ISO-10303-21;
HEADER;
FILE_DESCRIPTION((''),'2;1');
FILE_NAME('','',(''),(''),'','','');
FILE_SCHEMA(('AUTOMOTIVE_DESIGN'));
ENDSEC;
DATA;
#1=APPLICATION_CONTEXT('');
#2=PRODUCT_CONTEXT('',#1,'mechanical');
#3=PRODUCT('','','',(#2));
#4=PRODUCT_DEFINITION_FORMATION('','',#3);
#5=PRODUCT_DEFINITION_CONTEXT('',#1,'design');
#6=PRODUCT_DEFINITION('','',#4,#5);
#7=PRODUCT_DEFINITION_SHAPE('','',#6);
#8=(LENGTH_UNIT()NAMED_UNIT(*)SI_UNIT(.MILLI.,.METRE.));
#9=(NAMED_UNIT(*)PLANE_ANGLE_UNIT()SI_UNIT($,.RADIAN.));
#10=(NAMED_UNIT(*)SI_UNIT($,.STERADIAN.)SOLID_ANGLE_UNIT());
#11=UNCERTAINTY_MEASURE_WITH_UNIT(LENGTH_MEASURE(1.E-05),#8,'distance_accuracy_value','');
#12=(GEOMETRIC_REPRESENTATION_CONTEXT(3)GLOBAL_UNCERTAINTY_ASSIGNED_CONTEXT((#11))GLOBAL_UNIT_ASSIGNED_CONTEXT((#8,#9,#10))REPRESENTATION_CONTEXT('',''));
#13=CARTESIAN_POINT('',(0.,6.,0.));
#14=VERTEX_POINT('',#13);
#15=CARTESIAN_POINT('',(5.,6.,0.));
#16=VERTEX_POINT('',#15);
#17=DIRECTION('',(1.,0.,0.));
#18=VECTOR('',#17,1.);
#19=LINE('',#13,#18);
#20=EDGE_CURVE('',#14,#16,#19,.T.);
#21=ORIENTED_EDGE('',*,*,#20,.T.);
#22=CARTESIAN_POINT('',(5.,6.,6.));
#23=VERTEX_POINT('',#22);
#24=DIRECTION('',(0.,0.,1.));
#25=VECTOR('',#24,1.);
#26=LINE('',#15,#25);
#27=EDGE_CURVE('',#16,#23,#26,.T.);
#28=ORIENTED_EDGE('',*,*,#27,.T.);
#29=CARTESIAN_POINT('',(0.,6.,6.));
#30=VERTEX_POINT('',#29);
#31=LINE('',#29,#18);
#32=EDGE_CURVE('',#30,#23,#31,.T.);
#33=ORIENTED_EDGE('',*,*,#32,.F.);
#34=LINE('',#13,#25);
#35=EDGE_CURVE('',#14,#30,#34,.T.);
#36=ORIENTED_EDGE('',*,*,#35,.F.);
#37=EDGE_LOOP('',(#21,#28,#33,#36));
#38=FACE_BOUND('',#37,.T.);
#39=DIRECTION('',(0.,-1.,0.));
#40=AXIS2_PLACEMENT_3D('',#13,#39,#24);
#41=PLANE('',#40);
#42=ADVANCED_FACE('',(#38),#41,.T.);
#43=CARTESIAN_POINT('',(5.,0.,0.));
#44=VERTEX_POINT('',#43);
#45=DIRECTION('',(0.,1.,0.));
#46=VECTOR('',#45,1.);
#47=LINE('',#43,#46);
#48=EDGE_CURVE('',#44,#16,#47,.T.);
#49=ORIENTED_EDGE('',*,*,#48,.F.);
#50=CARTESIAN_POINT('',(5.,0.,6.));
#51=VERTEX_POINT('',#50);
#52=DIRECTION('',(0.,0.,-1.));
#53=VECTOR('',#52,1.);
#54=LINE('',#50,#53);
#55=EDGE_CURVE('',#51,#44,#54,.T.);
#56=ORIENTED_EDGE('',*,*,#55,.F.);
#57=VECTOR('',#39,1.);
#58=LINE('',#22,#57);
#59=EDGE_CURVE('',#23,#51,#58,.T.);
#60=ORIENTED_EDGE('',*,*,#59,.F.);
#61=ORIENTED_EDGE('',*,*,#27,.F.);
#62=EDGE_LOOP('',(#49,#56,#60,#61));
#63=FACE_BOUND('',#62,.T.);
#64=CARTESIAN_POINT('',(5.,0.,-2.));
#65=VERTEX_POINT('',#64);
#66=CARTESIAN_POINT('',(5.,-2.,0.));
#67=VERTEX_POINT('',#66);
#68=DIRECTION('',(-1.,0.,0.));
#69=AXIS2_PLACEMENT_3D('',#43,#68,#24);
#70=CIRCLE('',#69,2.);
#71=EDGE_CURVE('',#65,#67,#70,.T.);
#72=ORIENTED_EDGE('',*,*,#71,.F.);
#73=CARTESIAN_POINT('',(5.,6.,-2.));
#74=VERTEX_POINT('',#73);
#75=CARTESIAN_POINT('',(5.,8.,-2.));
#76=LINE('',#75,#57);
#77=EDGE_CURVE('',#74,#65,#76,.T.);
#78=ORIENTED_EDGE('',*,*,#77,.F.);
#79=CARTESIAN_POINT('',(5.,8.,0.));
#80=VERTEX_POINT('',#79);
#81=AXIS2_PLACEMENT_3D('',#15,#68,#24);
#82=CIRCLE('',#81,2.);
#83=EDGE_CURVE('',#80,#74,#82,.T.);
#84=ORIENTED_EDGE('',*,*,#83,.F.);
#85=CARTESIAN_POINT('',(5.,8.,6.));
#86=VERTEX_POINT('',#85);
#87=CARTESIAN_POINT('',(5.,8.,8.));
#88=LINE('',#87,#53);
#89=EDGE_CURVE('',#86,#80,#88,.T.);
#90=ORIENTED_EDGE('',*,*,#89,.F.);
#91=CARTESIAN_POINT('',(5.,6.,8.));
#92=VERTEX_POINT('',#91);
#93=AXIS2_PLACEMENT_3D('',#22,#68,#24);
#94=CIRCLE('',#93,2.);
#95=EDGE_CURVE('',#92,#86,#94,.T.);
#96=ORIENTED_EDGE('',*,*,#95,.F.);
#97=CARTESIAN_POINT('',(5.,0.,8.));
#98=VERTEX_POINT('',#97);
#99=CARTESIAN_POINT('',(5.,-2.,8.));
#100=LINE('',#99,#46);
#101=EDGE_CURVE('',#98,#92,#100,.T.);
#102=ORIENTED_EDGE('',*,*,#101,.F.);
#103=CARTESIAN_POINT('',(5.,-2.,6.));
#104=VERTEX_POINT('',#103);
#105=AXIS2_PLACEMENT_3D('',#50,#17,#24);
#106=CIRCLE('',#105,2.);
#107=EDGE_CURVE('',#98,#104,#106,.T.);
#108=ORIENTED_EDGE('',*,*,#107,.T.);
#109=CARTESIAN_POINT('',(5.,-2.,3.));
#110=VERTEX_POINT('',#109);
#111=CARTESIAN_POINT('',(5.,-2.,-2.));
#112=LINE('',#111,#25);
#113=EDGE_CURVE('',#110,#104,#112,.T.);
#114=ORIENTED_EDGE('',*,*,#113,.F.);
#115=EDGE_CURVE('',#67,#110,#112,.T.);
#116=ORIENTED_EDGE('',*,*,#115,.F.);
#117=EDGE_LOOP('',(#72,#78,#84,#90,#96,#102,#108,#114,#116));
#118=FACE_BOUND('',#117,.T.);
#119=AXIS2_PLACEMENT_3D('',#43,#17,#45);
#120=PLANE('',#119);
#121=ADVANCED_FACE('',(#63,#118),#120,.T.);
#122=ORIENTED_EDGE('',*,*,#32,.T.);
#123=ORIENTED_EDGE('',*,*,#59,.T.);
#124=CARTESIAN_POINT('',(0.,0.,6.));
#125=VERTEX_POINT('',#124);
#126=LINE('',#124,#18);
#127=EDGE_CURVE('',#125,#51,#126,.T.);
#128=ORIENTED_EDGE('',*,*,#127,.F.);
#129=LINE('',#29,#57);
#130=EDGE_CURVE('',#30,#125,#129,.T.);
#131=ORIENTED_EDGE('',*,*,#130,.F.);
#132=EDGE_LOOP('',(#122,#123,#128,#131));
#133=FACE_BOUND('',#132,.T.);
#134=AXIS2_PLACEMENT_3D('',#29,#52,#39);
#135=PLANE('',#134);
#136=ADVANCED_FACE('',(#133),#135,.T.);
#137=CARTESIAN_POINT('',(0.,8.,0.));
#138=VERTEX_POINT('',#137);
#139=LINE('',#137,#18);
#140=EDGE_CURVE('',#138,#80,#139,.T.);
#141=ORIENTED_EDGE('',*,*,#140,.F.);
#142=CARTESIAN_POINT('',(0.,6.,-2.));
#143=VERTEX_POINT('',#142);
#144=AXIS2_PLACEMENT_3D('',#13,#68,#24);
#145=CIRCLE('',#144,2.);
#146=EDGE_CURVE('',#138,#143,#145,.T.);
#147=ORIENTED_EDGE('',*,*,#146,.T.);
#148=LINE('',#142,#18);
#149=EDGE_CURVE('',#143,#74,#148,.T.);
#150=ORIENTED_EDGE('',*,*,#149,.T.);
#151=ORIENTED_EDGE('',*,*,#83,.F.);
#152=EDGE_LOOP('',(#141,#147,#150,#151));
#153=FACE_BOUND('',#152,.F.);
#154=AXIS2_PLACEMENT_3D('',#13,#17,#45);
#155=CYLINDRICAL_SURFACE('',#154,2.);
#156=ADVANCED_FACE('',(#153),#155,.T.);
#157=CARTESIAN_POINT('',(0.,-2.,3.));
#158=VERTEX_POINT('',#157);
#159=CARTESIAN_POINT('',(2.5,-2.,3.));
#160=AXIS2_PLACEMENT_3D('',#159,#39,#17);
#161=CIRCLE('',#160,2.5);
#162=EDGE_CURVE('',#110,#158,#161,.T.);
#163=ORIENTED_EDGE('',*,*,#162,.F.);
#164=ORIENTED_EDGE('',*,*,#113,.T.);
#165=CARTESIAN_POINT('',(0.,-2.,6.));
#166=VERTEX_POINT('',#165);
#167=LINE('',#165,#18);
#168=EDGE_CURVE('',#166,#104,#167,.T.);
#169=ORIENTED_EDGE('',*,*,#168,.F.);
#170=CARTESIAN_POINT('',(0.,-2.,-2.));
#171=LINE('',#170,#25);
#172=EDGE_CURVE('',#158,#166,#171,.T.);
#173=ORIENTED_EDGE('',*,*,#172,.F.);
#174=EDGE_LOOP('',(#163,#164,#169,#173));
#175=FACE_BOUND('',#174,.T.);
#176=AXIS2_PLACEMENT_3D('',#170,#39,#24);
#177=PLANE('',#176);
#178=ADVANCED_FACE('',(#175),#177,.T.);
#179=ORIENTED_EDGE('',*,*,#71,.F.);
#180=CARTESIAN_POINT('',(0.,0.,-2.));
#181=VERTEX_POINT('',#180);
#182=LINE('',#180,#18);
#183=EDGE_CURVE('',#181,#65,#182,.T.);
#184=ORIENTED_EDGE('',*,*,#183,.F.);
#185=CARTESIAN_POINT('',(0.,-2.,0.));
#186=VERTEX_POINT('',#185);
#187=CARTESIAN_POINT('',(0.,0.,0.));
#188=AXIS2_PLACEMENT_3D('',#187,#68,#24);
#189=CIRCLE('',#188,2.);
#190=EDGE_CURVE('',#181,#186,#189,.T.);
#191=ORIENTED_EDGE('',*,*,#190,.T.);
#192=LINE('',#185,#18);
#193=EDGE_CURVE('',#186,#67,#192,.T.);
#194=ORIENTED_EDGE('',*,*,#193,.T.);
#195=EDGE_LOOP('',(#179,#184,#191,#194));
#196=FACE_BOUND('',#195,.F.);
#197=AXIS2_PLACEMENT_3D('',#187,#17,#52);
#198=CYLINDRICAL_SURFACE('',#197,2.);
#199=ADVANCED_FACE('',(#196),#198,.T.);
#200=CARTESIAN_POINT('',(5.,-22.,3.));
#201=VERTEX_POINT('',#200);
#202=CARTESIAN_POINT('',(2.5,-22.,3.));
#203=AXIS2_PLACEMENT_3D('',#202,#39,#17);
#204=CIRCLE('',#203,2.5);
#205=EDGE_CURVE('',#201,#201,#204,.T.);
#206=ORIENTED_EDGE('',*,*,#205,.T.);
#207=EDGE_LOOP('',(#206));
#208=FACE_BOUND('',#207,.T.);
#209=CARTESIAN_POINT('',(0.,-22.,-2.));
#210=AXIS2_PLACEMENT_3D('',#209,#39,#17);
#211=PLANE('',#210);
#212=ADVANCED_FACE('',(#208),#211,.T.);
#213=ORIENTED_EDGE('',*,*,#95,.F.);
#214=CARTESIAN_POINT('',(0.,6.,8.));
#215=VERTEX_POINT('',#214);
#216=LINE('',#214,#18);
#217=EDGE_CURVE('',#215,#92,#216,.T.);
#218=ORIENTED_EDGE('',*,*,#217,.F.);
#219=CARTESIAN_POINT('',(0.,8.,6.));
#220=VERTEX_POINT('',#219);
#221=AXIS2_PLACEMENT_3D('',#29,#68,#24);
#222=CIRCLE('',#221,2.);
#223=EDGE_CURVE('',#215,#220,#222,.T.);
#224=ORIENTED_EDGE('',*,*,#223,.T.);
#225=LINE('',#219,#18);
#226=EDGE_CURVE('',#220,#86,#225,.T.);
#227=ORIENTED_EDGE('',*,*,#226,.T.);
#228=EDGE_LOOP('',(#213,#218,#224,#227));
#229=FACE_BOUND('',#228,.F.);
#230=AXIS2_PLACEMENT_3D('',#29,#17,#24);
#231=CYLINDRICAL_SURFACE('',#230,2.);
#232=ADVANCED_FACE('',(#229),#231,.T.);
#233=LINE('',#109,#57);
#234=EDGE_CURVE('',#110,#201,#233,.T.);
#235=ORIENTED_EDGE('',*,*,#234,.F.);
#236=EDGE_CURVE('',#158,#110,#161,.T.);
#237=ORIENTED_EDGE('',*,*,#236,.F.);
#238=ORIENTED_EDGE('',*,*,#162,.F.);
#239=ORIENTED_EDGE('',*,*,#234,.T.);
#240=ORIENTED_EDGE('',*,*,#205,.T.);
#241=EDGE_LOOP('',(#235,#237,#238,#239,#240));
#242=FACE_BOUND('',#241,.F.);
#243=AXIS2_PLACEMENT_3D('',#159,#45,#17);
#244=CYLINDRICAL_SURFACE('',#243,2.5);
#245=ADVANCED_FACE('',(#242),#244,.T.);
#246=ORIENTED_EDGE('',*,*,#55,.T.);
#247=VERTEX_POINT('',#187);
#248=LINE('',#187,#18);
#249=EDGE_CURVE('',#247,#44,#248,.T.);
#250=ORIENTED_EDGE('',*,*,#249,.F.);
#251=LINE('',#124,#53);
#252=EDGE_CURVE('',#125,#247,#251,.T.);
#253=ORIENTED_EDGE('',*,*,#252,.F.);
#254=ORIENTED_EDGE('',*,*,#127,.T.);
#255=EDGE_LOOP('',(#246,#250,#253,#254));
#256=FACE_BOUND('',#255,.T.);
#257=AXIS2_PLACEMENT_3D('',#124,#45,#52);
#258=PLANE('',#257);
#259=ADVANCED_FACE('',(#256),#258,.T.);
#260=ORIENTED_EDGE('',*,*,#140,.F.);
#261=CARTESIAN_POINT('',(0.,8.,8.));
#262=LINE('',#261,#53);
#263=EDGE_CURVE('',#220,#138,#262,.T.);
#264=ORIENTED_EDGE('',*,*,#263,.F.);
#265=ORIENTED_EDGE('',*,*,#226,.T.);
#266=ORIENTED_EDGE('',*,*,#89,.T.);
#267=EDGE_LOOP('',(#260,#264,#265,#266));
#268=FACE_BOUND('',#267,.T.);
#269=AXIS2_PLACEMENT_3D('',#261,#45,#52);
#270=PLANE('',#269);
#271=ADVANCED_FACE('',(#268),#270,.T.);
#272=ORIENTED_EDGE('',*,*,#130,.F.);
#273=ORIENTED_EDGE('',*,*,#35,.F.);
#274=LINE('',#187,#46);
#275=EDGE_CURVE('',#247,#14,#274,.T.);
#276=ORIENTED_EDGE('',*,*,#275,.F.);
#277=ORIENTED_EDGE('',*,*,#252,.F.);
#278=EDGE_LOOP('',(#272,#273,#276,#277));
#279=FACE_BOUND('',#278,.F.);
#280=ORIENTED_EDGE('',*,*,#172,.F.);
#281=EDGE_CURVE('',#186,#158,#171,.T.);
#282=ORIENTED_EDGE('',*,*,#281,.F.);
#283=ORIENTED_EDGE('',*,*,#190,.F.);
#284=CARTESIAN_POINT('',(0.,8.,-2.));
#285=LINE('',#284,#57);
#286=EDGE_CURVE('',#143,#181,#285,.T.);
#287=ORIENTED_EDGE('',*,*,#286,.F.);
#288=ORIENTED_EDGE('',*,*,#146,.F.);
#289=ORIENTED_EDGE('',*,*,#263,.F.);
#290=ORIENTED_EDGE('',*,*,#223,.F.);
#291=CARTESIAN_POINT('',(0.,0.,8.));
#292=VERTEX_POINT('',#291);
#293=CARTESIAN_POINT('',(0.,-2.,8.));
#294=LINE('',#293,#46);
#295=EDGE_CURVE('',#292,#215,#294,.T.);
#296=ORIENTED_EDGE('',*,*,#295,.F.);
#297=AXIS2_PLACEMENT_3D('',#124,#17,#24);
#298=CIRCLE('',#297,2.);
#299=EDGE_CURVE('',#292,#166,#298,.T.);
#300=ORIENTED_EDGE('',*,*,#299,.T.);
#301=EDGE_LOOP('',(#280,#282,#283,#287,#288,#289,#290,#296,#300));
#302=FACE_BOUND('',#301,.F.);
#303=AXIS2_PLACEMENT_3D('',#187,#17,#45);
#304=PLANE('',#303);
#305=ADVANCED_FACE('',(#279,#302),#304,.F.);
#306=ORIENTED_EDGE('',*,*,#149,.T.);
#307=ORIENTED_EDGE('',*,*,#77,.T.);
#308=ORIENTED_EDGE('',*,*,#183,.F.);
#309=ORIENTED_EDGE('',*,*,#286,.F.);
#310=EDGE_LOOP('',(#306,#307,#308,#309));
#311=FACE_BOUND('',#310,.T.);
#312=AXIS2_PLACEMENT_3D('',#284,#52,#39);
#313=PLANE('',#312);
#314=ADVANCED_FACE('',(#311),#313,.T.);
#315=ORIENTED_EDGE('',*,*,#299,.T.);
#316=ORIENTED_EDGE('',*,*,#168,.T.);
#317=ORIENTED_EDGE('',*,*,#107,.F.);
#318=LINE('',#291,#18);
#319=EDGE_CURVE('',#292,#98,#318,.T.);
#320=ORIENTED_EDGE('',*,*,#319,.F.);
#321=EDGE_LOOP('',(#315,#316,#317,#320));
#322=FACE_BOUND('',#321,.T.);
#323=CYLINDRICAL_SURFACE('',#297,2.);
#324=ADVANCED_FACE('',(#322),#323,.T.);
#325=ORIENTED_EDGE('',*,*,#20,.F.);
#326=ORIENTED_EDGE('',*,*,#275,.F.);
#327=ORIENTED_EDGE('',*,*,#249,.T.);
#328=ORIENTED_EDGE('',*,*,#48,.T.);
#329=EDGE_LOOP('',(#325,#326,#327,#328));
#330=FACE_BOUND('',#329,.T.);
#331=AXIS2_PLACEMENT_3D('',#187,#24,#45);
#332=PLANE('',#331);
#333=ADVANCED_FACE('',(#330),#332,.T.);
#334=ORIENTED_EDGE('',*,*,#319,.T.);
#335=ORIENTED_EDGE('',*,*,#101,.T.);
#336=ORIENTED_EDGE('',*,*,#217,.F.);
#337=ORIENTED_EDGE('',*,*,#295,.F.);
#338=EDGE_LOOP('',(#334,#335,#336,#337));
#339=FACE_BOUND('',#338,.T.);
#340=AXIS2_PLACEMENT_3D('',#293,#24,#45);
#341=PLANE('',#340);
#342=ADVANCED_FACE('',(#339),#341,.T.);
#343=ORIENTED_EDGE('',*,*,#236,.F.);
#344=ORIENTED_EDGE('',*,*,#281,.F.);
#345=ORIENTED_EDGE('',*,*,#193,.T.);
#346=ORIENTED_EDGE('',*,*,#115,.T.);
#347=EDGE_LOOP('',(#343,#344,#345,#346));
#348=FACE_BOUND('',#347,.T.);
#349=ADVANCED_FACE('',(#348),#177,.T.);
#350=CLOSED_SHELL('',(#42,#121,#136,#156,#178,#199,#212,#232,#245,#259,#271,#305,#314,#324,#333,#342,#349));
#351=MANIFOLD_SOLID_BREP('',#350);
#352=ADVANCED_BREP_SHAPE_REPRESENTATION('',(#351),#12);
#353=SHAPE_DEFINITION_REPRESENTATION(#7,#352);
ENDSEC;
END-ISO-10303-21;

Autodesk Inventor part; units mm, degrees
ref_plane "YZ Plane" through (0, 0, 0) normal (1, 0, 0) x (0, 1, 0)
ref_plane "XZ Plane" through (0, 0, 0) normal (0, 1, 0) x (-1, 0, 0)
ref_plane "XY Plane" through (0, 0, 0) normal (0, 0, 1) x (1, 0, 0)
sketch "Sketch1" plane through (0, 0, 0) normal (1, 0, 0) x (0, 1, 0)
  line L0 (6, 6) -> (0, 6)
  line L1 (0, 6) -> (0, 0)
  line L2 (0, 0) -> (6, 0)
  line L3 (6, 0) -> (6, 6)
  line L4 (-2, 8) -> (8, 8)
  line L5 (8, 8) -> (8, -2)
  line L6 (8, -2) -> (-2, -2)
  line L7 (-2, -2) -> (-2, 8)
  dimension "d0" = 6
  dimension "d1" = 6
  dimension "d2" = 2
  dimension "d3" = 10
  dimension "d4" = 10
  dimension "d5" = 2
extrude "Extrusion1" add sketch "Sketch1" along normal blind 5
sketch "Sketch2" plane through (0, -2, -2) normal (0, -1, 0) x (1, 0, 0)
  circle A0 centre (2.5, 5) radius 2.5
  line L0 (0, 10) -> (5, 10) projected
  line L1 (5, 10) -> (5, 0) projected
  point P0 (0, 2)
  dimension "d8" = 5
  dimension "d9" = 5
  dimension "d10" = 2.5
extrude "Extrusion2" add sketch "Sketch2" along normal blind 20
fillet "Fillet1" radius 2 4 edges at (2.5, 8, 8) (2.5, 8, -2) (2.5, -2, 8) (2.5, -2, -2)
properties part number "roka2"
